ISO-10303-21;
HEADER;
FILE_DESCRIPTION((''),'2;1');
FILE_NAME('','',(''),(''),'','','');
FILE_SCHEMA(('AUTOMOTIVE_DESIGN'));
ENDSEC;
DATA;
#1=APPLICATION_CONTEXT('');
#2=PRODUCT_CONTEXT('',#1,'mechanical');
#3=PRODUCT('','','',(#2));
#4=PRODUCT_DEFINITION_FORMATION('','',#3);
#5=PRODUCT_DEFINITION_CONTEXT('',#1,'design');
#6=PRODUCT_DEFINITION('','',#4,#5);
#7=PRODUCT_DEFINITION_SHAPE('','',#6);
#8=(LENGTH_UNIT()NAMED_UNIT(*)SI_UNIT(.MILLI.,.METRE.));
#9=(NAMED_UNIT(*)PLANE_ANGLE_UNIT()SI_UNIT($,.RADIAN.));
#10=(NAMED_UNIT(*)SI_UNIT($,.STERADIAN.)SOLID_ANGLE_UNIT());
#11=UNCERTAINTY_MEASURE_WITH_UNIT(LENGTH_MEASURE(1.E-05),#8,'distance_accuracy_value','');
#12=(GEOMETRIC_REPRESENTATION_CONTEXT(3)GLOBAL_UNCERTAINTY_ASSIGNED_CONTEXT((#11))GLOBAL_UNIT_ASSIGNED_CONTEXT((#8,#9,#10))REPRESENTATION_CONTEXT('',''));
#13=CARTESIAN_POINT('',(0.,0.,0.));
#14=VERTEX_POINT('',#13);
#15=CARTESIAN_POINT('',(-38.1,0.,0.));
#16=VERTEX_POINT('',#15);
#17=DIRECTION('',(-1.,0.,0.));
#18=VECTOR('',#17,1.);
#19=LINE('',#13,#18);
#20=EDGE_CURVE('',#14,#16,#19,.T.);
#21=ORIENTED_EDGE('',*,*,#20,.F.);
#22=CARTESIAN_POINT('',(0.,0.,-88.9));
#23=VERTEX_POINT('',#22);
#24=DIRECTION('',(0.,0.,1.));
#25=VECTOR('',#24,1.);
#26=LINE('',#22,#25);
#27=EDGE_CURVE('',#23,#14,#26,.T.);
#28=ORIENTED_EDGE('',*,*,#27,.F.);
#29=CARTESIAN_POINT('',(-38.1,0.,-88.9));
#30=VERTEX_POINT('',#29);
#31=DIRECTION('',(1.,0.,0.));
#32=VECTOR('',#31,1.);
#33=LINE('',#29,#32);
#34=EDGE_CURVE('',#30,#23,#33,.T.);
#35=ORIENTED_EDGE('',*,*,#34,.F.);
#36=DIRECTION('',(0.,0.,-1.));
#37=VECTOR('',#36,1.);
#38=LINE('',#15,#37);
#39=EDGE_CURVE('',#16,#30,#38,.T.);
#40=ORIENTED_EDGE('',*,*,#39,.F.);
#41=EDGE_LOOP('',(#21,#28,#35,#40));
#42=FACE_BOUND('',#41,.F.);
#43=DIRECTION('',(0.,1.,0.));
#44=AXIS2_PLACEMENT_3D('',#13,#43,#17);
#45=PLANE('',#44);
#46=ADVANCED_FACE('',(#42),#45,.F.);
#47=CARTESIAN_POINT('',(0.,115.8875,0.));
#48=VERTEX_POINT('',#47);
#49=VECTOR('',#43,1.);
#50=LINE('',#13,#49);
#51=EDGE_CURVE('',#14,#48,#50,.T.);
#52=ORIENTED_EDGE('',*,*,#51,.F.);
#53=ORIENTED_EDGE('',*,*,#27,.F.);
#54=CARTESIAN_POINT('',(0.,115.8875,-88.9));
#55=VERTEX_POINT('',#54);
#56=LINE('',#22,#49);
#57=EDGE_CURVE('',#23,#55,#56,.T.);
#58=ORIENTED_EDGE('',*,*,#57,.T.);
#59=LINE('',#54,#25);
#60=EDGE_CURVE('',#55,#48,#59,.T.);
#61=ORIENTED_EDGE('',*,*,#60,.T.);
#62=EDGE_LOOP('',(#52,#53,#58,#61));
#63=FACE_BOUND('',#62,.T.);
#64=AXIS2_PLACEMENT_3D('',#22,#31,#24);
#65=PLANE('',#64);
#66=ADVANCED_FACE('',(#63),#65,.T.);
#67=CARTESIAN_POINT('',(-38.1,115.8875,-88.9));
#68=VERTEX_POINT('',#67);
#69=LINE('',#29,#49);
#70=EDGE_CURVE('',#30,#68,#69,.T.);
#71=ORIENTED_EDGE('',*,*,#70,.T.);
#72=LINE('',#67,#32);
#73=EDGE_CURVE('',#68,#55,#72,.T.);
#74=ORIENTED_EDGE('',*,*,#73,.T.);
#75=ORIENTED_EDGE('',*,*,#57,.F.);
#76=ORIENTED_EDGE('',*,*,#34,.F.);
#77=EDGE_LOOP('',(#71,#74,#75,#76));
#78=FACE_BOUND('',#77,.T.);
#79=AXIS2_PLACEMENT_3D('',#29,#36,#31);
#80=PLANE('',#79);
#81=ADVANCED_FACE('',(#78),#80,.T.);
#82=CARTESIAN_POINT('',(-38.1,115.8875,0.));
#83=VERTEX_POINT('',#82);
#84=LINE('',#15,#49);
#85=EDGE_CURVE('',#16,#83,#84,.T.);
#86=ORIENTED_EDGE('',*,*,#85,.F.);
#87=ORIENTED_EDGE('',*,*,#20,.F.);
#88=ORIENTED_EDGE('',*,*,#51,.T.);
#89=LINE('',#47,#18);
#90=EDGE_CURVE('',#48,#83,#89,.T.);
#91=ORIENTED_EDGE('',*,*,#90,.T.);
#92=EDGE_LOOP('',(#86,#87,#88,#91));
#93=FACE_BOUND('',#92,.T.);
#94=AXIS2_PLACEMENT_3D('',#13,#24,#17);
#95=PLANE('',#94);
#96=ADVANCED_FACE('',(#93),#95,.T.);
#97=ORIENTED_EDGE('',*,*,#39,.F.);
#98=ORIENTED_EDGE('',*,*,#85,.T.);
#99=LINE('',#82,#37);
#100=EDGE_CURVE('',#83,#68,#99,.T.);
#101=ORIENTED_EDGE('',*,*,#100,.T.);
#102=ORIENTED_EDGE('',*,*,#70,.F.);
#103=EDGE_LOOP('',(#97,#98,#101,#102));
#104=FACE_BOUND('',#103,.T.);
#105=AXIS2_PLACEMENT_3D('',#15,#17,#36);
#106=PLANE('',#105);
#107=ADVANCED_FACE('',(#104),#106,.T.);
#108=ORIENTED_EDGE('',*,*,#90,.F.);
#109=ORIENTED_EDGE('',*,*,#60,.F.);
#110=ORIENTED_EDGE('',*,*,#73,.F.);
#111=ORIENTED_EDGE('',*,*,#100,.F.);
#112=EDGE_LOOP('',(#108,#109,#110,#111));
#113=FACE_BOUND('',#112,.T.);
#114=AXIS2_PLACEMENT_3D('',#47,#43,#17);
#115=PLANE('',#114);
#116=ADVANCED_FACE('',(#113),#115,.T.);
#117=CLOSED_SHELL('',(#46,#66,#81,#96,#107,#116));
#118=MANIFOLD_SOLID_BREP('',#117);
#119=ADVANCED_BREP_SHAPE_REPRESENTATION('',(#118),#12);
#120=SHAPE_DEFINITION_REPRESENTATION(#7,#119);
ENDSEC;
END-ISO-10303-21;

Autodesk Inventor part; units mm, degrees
ref_plane "YZ Plane" through (0, 0, 0) normal (1, 0, 0) x (0, 1, 0)
ref_plane "XZ Plane" through (0, 0, 0) normal (0, 1, 0) x (-1, 0, 0)
ref_plane "XY Plane" through (0, 0, 0) normal (0, 0, 1) x (1, 0, 0)
sketch "Sketch1" plane through (0, 0, 0) normal (0, 1, 0) x (-1, 0, 0)
  line L0 (0, 0) -> (38.1, 0)
  line L1 (38.1, 0) -> (38.1, -88.9)
  line L2 (38.1, -88.9) -> (0, -88.9)
  line L3 (0, -88.9) -> (0, 0)
  dimension "d0" = 88.9
  dimension "d1" = 38.1
extrude "Extrusion1" add sketch "Sketch1" along normal blind 115.8875
properties part number "Stud_With_Height_4.5625_Inches" material "Wood (Birch)"
